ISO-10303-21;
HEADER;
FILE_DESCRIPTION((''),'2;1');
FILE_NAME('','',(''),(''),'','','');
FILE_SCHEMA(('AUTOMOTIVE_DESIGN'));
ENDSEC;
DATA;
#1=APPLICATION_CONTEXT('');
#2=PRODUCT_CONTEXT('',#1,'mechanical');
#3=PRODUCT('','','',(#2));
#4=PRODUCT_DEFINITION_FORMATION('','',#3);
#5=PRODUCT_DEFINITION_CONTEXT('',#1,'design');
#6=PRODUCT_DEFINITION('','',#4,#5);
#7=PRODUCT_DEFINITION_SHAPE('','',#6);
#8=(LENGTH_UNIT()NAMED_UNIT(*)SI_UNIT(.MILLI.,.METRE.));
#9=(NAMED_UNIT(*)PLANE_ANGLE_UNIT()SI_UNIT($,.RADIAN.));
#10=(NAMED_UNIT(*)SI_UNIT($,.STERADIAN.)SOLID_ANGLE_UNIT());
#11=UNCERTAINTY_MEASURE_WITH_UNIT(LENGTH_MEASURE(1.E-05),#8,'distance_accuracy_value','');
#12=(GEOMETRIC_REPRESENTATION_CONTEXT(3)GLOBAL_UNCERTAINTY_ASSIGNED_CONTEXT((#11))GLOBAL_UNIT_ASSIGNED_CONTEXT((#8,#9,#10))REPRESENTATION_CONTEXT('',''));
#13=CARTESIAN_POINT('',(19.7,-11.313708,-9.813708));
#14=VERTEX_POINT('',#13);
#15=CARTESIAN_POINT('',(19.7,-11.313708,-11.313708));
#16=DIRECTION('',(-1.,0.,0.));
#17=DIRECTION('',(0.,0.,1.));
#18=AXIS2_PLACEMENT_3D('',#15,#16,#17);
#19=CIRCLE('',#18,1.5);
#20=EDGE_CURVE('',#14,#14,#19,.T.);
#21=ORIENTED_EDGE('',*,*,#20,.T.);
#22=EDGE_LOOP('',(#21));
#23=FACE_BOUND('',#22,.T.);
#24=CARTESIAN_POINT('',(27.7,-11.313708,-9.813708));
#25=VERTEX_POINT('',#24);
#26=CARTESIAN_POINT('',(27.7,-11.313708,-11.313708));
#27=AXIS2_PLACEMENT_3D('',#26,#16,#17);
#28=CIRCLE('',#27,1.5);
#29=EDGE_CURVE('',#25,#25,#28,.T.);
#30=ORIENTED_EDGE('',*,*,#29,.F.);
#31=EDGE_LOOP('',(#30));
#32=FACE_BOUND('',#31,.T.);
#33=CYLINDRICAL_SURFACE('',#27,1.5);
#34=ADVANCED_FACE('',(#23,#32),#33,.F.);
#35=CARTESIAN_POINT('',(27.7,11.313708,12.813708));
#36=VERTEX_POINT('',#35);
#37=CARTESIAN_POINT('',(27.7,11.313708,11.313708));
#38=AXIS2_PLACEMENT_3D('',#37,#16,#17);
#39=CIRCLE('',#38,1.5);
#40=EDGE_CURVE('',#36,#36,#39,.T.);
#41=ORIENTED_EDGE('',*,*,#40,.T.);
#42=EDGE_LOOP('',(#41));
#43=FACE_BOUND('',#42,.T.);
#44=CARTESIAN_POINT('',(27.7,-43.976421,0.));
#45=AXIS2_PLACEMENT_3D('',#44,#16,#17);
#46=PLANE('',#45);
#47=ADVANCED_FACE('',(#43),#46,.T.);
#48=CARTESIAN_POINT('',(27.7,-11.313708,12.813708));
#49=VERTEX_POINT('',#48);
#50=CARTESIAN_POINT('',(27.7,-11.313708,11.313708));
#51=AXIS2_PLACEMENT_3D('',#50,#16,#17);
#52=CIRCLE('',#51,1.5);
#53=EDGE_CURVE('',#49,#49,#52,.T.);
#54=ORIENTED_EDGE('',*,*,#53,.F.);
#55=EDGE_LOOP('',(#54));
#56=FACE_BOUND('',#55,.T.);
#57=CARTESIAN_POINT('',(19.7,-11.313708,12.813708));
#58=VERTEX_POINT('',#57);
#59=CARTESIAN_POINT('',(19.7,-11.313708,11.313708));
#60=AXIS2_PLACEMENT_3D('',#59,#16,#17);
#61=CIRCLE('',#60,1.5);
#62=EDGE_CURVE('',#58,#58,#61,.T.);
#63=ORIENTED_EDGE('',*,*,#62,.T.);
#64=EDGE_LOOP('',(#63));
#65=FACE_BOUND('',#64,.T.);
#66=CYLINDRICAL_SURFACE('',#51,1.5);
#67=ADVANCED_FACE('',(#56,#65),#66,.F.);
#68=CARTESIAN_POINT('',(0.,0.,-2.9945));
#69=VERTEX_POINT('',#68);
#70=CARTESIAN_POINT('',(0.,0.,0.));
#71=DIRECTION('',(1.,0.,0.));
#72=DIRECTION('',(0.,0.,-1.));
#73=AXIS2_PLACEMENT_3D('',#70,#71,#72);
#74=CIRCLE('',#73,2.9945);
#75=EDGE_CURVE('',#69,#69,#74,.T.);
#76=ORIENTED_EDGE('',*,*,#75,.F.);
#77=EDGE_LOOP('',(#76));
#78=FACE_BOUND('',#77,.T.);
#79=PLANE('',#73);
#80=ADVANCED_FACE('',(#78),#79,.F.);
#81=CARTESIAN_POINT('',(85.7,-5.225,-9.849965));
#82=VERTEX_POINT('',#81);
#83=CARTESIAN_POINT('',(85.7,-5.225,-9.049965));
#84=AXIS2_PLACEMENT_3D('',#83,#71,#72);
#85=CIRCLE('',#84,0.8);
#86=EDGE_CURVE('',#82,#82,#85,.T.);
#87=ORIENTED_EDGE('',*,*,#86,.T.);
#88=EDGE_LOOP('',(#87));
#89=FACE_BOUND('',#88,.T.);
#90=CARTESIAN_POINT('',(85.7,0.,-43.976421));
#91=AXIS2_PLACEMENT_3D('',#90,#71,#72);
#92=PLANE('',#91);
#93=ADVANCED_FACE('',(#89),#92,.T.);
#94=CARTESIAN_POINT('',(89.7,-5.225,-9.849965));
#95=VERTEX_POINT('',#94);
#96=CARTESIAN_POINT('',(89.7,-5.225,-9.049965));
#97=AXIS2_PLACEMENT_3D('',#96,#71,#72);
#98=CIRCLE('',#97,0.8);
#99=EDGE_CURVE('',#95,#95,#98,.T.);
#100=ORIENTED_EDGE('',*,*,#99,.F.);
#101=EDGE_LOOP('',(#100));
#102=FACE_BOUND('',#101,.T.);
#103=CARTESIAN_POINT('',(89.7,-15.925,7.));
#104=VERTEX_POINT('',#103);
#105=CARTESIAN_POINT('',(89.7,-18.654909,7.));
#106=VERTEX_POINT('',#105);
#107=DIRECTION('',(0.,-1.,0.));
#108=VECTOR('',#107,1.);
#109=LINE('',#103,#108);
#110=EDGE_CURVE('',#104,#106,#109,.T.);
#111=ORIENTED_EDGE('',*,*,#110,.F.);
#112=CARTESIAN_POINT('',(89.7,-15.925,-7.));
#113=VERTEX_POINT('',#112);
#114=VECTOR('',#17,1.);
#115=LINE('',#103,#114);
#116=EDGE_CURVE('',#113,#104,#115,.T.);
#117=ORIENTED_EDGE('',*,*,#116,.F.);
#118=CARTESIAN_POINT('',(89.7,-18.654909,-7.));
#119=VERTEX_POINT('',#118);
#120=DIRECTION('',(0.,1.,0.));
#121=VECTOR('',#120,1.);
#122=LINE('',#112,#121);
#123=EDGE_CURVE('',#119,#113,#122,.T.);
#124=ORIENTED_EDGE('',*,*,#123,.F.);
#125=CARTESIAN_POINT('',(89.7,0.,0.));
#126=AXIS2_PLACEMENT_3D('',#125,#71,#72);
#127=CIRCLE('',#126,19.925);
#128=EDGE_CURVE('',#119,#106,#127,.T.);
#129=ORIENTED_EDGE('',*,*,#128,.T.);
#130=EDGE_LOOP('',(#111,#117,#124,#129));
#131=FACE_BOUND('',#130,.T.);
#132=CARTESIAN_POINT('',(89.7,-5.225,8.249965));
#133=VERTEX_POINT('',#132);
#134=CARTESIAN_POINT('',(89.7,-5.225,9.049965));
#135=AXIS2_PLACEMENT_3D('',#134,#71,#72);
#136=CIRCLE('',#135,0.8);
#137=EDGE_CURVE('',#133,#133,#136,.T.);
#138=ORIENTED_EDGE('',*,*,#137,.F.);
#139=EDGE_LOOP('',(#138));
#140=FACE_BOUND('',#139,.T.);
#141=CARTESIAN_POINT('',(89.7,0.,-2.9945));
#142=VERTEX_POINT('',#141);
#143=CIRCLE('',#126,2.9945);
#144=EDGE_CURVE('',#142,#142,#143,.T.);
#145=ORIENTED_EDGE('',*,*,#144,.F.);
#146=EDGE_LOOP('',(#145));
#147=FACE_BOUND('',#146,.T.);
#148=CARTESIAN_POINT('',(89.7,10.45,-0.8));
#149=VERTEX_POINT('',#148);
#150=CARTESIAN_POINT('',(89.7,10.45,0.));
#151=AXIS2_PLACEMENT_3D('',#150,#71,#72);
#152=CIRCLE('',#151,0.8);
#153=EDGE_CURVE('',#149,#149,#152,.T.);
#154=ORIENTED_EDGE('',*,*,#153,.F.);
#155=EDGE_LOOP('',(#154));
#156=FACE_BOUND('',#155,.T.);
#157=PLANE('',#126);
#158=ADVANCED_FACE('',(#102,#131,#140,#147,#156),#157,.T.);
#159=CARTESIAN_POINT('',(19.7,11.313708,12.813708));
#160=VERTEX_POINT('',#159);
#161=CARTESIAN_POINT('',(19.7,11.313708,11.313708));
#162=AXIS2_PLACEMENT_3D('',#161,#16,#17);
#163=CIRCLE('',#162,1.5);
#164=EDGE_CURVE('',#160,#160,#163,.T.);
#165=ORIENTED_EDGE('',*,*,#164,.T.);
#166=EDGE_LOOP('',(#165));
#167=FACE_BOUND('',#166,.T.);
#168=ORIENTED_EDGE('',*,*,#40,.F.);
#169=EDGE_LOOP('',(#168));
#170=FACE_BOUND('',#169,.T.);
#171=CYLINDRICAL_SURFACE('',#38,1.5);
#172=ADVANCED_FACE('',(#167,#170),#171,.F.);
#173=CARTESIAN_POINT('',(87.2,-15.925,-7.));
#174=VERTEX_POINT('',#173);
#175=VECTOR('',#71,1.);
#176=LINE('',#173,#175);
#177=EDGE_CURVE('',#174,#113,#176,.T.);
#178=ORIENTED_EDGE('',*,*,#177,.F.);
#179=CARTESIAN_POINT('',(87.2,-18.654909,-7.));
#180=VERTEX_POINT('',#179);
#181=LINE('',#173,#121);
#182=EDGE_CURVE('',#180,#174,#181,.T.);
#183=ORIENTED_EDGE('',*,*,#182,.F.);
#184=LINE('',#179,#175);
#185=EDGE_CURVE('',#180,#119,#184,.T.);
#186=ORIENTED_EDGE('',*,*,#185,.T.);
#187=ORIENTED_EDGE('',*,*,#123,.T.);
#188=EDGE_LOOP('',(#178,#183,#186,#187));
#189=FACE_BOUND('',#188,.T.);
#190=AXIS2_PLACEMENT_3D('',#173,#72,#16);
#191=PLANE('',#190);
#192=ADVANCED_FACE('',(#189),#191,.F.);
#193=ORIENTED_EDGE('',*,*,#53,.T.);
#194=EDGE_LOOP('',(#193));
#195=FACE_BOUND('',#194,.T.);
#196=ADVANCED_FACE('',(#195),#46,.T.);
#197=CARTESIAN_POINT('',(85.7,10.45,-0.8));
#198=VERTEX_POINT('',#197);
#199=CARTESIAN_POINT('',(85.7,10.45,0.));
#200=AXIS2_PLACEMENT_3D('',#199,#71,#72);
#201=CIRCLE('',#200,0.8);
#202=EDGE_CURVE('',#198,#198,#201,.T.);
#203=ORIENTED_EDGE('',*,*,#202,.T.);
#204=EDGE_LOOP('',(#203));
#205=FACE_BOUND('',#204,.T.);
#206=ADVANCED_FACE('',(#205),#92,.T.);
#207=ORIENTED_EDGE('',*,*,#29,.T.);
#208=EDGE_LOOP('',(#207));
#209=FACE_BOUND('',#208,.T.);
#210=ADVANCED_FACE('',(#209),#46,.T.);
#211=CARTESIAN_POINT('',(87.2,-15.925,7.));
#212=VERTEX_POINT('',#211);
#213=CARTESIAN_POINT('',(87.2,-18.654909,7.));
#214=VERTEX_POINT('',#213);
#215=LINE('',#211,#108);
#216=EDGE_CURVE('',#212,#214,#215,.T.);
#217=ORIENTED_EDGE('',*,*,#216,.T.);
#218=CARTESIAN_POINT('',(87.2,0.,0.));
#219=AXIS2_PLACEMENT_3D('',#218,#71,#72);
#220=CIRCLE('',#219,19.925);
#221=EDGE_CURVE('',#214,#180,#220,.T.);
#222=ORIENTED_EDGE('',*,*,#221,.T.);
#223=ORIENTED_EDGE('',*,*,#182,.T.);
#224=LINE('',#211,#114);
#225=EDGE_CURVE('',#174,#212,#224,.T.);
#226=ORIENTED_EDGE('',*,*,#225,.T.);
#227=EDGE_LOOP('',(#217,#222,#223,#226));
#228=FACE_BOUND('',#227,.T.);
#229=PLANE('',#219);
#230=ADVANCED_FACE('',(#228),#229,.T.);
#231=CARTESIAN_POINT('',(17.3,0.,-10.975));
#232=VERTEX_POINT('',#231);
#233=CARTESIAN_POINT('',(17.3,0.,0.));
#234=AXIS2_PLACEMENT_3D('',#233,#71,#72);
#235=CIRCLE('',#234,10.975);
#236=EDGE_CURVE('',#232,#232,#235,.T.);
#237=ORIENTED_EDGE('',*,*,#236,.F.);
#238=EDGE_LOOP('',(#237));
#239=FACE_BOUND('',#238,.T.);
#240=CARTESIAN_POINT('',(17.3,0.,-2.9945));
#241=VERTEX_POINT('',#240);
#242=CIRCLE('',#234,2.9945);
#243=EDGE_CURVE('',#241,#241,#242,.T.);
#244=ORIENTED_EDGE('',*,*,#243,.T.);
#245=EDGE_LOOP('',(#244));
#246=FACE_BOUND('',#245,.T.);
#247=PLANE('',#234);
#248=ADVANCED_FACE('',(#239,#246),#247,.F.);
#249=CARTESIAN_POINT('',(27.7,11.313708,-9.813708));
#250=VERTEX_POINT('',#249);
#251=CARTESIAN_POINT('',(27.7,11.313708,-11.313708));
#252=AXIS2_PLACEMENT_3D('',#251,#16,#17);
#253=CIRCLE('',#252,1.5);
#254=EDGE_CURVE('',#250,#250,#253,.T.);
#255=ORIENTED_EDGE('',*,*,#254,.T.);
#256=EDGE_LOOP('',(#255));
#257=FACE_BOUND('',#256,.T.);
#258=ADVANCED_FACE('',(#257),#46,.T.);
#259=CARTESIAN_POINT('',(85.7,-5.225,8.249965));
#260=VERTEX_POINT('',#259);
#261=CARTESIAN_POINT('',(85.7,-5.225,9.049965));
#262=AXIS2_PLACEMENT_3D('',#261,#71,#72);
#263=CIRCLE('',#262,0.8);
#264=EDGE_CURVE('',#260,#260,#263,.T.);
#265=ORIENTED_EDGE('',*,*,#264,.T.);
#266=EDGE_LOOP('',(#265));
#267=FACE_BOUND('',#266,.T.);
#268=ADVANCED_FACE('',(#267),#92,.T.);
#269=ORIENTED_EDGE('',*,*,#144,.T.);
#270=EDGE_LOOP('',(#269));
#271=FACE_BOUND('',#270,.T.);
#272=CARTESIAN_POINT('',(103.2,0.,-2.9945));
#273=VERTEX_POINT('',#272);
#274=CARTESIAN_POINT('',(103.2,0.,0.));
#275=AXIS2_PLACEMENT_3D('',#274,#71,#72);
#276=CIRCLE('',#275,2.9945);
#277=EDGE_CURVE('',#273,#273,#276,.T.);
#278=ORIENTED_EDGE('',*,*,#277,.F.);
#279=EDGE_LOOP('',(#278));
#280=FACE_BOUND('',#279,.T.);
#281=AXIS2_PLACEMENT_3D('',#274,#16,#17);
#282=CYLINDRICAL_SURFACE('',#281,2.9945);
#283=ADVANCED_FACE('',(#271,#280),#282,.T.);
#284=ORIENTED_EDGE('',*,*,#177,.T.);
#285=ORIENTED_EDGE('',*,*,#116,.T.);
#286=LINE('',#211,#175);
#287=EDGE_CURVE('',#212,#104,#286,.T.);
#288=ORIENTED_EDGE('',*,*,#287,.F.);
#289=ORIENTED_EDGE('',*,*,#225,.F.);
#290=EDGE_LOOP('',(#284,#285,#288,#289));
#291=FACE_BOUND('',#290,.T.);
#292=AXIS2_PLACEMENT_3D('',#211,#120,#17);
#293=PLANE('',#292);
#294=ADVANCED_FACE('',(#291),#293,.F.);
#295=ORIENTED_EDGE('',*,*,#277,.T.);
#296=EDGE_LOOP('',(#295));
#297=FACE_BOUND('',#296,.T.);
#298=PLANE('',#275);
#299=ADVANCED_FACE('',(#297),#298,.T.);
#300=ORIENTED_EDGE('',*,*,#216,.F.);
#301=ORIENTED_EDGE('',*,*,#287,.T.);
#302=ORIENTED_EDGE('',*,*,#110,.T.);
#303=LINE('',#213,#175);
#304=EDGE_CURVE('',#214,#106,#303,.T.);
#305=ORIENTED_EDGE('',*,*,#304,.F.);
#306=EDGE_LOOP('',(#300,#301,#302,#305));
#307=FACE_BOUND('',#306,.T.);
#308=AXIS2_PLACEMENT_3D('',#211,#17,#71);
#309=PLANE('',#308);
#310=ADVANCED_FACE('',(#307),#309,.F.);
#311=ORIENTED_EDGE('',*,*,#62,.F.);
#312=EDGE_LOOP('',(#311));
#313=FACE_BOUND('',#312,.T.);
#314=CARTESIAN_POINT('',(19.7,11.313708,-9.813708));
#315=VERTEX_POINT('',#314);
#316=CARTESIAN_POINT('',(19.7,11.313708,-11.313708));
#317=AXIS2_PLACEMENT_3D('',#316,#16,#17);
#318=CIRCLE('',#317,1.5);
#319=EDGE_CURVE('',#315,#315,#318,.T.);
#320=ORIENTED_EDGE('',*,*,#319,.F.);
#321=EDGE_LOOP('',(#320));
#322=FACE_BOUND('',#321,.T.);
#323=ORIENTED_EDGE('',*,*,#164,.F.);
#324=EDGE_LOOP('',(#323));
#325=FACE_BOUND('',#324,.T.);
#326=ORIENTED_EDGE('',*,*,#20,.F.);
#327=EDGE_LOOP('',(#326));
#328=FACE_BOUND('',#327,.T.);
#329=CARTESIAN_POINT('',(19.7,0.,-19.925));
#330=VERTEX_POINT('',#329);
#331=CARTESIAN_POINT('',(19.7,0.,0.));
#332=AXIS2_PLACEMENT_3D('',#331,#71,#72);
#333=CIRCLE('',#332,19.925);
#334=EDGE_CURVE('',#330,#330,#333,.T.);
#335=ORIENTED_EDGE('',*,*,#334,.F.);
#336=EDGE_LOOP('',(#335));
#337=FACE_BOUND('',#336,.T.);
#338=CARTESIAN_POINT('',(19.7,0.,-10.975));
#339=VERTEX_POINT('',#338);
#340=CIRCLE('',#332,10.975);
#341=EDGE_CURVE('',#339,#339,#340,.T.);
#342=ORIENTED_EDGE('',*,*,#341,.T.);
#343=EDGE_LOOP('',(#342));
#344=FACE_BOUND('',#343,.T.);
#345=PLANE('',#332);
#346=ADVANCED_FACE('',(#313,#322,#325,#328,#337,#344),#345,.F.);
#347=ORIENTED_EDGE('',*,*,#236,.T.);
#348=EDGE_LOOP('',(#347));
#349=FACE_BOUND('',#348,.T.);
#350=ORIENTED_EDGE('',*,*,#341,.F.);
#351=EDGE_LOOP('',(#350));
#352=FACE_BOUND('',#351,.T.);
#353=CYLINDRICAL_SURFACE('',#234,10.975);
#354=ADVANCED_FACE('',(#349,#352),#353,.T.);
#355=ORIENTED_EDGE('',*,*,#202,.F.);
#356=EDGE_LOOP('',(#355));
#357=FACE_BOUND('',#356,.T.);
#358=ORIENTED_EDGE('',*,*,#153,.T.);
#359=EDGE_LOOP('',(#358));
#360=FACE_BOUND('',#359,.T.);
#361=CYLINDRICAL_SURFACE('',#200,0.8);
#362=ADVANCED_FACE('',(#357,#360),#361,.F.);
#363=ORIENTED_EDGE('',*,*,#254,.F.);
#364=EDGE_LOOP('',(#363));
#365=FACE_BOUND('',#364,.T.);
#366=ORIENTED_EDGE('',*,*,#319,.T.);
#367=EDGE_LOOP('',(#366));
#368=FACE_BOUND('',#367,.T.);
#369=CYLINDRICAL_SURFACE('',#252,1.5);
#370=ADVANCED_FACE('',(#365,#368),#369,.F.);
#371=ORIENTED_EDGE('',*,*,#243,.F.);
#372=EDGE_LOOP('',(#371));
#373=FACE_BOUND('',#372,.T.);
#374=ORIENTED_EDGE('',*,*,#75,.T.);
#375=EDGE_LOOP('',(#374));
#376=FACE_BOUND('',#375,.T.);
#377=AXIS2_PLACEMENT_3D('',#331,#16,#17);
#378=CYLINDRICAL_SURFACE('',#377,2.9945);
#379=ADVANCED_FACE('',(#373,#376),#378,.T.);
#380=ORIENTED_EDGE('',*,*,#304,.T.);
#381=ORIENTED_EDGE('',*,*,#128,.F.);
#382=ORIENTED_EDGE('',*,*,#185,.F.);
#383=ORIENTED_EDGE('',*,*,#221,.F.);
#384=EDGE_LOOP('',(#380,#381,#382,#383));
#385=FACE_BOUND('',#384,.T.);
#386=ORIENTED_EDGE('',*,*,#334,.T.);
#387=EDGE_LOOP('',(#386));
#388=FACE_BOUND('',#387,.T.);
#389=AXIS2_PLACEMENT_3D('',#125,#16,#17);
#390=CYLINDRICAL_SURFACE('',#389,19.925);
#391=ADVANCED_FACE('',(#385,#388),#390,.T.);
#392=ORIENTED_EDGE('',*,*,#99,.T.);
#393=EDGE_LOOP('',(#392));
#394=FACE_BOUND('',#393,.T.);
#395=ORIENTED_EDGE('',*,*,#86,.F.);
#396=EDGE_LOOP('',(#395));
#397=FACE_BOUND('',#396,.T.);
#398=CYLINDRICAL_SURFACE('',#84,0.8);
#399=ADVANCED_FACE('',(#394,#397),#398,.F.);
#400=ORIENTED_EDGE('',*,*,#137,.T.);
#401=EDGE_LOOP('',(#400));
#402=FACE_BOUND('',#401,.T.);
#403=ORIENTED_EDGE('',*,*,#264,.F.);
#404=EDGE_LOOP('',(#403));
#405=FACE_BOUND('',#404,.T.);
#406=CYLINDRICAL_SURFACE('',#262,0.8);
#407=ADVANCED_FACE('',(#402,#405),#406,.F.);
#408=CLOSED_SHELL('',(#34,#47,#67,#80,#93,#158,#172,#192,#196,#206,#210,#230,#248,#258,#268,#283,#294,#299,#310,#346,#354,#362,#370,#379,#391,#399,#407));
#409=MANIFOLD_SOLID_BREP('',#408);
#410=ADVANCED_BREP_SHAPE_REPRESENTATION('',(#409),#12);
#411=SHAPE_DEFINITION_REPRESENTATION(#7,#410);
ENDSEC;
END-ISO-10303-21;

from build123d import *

# Parameters (mm, degrees)
SKETCH1_R          = 2.9945
EXTRUDE1_DEPTH     = 19.7
SKETCH2_R          = 10.975
EXTRUDE2_DEPTH     = 2.4
SKETCH3_R          = 19.925
EXTRUDE3_DEPTH     = 70
SKETCH4_R          = 2.9945
EXTRUDE4_DEPTH     = 13.5
SKETCH5_R          = 1.5
CUT_EXTRUDE1_DEPTH = 8
SKETCH6_R          = 0.8
CUT_EXTRUDE2_DEPTH = 4
CUT_EXTRUDE3_START = -2.5
CUT_EXTRUDE3_DEPTH = 2.5


with BuildPart() as part:
    # Sketch1 → Extrude1 (new body)
    with BuildSketch(Plane(origin=(0, 0, 0), x_dir=(0, 0, -1), z_dir=(1, 0, 0))):
        Circle(SKETCH1_R)
    extrude(amount=EXTRUDE1_DEPTH)

    # Sketch2 → Extrude2 (add)
    with BuildSketch(Plane(origin=(19.7, 0, 0), x_dir=(0, 0, -1), z_dir=(1, 0, 0))):
        Circle(SKETCH2_R)
    extrude(amount=-EXTRUDE2_DEPTH)

    # Sketch3 → Extrude3 (add)
    with BuildSketch(Plane(origin=(19.7, 0, 0), x_dir=(0, 0, -1), z_dir=(1, 0, 0))):
        Circle(SKETCH3_R)
    extrude(amount=EXTRUDE3_DEPTH)

    # Sketch4 → Extrude4 (add)
    with BuildSketch(Plane(origin=(89.7, 0, 0), x_dir=(0, 0, -1), z_dir=(1, 0, 0))):
        Circle(SKETCH4_R)
    extrude(amount=EXTRUDE4_DEPTH)

    # Sketch5 → Cut-Extrude1 (cut)
    with BuildSketch(Plane.ZY.offset(-19.7)):
        with Locations((11.313708499, 11.313708499)):
            Circle(SKETCH5_R)
        with Locations((11.313708499, -11.313708499)):
            Circle(SKETCH5_R)
        with Locations((-11.313708499, -11.313708499)):
            Circle(SKETCH5_R)
        with Locations((-11.313708499, 11.313708499)):
            Circle(SKETCH5_R)
    extrude(amount=-CUT_EXTRUDE1_DEPTH, mode=Mode.SUBTRACT)

    # Sketch6 → Cut-Extrude2 (cut)
    with BuildSketch(Plane(origin=(89.7, 0, 0), x_dir=(0, 0, -1), z_dir=(1, 0, 0))):
        with Locations((0, 10.45)):
            Circle(SKETCH6_R)
        with Locations((9.04996547, -5.225)):
            Circle(SKETCH6_R)
        with Locations((-9.04996547, -5.225)):
            Circle(SKETCH6_R)
    extrude(amount=-CUT_EXTRUDE2_DEPTH, mode=Mode.SUBTRACT)

    # Sketch7 → Cut-Extrude3 (cut)
    with BuildSketch(Plane(origin=(89.7, 0, 0), x_dir=(0, 0, -1), z_dir=(1, 0, 0)).offset(CUT_EXTRUDE3_START)):
        with BuildLine():
            Line((-7, -15.925), (7, -15.925))
            Line((7, -15.925), (7, -18.654908871))
            ThreePointArc((7, -18.654908871), (0, -19.925), (-7, -18.654908871))
            Line((-7, -18.654908871), (-7, -15.925))
        make_face()
    extrude(amount=CUT_EXTRUDE3_DEPTH, mode=Mode.SUBTRACT)


solid = part.part
